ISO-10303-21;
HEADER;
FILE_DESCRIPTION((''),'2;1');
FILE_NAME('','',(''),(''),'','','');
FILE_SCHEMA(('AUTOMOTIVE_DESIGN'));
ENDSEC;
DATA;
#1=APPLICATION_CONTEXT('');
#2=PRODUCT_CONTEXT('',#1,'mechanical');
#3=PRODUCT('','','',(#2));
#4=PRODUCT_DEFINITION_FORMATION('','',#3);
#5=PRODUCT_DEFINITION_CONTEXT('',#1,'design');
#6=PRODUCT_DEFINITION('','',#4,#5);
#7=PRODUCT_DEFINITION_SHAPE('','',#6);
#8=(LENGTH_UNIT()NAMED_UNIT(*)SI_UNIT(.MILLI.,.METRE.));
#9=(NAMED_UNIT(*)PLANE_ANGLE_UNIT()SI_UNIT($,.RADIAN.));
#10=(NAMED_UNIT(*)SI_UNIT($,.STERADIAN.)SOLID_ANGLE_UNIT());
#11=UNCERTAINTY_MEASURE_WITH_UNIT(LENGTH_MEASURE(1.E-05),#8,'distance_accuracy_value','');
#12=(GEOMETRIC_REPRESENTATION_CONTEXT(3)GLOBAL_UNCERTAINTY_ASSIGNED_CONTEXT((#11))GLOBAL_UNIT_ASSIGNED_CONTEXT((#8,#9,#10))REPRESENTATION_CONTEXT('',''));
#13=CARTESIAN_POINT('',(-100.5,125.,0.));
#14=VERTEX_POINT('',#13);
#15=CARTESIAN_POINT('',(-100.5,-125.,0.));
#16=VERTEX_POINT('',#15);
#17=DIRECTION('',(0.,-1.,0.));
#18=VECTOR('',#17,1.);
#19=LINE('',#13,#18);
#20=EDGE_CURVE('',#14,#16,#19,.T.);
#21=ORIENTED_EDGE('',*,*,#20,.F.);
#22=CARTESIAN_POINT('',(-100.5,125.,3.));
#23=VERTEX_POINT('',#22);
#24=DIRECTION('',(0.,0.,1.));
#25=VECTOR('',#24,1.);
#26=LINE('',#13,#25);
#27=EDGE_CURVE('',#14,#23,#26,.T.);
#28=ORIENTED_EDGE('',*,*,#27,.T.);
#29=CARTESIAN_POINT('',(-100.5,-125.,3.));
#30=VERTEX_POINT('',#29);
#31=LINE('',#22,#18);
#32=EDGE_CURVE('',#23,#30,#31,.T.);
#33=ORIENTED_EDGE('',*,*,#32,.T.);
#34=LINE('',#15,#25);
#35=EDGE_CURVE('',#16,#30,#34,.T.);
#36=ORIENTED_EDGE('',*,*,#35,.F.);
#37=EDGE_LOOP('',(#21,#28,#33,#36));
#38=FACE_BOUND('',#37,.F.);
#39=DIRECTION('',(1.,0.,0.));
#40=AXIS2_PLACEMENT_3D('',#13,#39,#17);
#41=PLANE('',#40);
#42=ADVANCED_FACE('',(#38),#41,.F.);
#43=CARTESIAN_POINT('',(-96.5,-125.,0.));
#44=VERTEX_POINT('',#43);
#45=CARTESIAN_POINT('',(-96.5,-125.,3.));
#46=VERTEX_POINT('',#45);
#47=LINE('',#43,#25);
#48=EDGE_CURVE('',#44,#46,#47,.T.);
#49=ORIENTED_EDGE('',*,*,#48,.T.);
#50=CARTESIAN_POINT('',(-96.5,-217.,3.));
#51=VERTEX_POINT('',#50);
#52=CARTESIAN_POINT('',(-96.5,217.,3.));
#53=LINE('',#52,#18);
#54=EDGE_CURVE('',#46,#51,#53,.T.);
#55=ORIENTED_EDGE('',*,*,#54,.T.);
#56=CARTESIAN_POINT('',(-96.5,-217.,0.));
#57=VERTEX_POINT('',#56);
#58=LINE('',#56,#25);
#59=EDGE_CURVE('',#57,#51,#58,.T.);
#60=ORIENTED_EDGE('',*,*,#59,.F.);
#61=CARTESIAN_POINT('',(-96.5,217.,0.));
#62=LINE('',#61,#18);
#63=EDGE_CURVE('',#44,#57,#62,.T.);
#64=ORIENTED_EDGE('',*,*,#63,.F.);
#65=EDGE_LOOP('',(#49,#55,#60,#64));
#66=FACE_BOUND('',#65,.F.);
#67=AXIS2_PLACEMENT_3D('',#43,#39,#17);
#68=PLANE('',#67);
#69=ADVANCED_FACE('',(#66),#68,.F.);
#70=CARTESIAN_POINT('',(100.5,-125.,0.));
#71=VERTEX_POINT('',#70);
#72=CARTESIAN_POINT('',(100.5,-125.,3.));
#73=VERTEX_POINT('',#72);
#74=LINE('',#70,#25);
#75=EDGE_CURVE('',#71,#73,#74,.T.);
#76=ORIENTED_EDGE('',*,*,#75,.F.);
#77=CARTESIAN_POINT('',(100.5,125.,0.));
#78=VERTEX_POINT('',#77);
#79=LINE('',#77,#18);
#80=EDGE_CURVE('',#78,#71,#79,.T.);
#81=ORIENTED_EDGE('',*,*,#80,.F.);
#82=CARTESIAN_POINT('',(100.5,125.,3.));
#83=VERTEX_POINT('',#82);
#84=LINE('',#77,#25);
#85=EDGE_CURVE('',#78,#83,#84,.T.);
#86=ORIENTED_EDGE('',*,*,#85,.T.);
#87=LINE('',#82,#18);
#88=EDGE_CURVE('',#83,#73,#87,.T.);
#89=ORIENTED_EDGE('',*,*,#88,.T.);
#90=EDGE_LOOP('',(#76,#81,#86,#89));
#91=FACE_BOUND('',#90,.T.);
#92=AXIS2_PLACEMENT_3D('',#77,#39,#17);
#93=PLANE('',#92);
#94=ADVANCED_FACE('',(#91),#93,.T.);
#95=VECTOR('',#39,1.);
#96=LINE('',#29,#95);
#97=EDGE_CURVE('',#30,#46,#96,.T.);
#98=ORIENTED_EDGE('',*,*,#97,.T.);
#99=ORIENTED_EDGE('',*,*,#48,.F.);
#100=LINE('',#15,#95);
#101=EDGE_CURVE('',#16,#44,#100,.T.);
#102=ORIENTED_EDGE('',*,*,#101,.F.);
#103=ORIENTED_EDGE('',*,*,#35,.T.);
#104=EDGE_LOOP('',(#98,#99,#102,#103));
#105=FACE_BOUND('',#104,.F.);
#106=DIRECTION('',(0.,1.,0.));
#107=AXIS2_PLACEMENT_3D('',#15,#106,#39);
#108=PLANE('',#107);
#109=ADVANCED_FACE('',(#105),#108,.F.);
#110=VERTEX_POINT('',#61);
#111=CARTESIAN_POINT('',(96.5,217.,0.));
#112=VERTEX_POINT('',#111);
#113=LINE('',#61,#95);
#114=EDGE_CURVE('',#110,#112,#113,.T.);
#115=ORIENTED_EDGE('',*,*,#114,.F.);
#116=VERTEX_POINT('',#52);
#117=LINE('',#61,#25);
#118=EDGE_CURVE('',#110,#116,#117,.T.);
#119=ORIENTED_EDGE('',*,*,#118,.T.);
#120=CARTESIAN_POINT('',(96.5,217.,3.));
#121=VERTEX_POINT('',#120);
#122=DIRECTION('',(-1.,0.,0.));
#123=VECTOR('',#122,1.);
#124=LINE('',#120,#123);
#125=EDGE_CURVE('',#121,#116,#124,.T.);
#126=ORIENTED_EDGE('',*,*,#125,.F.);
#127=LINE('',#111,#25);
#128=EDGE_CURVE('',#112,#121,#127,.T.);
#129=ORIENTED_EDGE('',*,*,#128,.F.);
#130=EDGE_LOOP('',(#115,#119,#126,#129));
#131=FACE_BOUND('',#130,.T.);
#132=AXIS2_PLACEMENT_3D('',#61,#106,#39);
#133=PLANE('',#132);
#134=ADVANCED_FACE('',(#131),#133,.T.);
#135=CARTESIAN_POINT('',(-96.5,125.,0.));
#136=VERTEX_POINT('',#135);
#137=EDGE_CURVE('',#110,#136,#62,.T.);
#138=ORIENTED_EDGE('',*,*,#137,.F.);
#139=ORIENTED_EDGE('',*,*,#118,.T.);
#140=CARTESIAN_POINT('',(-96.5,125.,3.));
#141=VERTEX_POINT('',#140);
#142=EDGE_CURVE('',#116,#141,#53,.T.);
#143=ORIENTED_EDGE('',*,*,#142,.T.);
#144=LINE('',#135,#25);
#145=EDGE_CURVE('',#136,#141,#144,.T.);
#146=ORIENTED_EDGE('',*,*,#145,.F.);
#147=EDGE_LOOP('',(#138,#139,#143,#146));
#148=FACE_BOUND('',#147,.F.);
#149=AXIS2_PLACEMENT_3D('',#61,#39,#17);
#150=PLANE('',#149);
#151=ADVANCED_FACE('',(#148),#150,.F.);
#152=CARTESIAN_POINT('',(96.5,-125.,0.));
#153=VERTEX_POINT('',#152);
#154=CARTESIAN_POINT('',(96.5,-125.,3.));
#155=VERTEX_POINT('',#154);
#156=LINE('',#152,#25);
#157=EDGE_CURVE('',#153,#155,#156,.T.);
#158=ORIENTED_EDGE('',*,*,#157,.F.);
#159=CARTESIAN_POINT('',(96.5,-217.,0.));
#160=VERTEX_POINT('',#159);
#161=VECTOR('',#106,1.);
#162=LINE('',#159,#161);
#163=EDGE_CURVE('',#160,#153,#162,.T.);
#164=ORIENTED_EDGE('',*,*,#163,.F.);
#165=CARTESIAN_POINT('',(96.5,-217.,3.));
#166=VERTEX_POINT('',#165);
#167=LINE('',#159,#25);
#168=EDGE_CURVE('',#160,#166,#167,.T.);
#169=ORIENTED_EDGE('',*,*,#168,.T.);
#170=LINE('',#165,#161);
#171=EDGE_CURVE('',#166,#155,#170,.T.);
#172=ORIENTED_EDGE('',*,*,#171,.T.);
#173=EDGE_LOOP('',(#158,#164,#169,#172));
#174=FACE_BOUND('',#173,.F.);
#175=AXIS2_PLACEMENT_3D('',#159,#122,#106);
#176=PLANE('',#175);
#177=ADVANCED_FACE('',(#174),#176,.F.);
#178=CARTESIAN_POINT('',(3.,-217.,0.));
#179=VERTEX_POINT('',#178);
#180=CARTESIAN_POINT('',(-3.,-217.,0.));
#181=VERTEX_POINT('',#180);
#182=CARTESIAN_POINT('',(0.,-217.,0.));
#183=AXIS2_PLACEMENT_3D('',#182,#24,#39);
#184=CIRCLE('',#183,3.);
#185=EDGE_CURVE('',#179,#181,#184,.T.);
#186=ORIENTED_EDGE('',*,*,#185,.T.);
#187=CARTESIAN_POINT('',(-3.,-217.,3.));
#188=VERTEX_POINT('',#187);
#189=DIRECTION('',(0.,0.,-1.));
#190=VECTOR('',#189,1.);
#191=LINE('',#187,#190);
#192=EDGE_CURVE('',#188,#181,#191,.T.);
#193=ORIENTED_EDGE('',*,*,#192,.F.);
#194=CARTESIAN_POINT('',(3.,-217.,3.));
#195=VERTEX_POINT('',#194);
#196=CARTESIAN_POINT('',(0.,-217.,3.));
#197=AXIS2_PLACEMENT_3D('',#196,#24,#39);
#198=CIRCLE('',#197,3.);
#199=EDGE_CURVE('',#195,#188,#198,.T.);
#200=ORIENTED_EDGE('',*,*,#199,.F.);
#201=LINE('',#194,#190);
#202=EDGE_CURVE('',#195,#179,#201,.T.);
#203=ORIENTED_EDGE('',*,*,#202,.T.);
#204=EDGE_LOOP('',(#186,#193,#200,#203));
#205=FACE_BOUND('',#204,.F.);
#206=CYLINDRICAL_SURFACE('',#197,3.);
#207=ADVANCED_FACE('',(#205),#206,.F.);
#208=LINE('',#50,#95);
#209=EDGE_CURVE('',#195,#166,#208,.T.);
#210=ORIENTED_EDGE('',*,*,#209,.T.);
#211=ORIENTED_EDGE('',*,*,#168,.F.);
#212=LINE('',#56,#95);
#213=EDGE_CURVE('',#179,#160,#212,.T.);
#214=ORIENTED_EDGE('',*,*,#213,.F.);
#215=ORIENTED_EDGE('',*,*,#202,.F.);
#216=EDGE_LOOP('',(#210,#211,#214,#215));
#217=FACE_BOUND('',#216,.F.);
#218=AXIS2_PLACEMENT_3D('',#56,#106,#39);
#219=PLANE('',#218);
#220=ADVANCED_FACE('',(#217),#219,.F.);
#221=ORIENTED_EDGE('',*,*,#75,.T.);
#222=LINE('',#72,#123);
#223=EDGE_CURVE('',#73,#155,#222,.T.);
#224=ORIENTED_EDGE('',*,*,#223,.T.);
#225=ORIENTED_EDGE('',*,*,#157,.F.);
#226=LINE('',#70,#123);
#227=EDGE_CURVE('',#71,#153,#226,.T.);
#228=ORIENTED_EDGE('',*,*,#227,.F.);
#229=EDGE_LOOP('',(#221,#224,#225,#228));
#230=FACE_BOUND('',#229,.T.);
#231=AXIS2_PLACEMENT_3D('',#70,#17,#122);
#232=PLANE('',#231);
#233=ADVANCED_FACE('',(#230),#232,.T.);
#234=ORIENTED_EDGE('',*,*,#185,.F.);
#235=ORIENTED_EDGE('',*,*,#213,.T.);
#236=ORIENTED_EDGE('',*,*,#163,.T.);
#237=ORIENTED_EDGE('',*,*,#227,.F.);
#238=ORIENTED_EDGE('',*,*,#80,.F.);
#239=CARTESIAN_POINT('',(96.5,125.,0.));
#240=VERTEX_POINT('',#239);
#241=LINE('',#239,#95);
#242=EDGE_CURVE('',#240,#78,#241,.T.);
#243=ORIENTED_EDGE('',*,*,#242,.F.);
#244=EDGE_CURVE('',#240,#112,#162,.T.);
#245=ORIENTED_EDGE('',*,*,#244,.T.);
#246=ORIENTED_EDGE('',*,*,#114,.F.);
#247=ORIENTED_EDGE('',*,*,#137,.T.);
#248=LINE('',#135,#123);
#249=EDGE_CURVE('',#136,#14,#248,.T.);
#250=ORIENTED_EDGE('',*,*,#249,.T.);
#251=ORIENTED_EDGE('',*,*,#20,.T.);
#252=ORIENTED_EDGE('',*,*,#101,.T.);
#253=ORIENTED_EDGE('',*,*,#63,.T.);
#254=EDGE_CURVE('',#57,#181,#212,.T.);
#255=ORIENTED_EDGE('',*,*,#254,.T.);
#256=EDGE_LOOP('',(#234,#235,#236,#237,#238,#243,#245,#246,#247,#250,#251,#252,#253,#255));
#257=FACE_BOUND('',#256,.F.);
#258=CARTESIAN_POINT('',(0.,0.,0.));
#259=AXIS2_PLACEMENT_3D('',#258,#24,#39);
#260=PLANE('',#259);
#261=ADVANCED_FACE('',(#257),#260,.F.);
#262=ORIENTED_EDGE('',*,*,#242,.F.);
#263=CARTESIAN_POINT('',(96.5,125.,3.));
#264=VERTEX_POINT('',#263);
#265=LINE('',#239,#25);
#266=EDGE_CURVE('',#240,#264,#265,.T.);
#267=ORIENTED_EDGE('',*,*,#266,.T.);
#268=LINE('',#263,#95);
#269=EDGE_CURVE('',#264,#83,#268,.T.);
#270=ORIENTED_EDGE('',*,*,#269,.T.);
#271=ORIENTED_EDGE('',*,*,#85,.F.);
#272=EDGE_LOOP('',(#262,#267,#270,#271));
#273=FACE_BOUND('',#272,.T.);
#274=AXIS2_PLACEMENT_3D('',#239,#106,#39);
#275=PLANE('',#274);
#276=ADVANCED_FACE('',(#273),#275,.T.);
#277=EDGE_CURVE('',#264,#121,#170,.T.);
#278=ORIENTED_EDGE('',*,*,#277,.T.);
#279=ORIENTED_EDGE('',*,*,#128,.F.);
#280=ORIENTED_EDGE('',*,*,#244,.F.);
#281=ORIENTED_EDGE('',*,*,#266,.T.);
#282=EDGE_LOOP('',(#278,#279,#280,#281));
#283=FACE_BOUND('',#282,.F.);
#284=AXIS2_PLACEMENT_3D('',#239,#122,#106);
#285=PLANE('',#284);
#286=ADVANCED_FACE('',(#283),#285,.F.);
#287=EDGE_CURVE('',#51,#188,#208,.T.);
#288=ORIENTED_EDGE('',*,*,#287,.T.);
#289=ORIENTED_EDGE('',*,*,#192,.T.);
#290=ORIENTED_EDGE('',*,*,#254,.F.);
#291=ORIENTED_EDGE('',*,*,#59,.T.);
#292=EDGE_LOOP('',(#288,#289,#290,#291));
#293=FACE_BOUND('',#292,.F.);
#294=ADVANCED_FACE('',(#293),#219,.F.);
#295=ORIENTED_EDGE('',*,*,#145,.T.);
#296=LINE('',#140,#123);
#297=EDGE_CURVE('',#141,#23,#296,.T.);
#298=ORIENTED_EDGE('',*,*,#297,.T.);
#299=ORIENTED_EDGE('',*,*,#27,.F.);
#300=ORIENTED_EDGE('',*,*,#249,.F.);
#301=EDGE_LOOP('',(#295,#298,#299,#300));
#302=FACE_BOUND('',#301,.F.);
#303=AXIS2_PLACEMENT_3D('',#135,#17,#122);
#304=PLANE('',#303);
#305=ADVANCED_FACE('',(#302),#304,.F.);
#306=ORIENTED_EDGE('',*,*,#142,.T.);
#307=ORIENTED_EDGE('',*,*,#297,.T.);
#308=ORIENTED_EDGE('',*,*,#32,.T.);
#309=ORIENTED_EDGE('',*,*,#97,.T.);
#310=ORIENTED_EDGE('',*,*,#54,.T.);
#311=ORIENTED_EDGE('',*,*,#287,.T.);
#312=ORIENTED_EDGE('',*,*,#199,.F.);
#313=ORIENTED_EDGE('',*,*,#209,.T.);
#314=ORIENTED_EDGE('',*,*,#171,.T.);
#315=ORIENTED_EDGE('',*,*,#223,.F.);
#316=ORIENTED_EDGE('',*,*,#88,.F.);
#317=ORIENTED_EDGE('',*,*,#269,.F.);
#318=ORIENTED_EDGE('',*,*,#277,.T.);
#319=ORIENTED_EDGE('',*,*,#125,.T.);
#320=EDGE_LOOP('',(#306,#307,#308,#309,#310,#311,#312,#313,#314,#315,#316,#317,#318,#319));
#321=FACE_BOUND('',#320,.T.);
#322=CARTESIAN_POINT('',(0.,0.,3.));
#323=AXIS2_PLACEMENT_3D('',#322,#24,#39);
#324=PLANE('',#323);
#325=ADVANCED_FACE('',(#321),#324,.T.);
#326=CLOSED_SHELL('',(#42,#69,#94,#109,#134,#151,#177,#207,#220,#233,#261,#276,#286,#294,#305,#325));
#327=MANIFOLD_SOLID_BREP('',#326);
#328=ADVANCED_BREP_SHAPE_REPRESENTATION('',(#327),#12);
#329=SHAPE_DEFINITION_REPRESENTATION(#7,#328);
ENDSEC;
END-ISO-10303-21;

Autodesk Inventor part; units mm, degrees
ref_plane "YZ Plane" through (0, 0, 0) normal (1, 0, 0) x (0, 1, 0)
ref_plane "XZ Plane" through (0, 0, 0) normal (0, 1, 0) x (-1, 0, 0)
ref_plane "XY Plane" through (0, 0, 0) normal (0, 0, 1) x (1, 0, 0)
sketch "Sketch1" plane through (0, 0, 0) normal (0, 0, 1) x (1, 0, 0)
  line L0 (-96.5, -217) -> (96.5, -217)
  line L1 (96.5, -217) -> (96.5, 217)
  line L2 (-96.5, 217) -> (-96.5, -217)
  line L3 (-96.5, -217) -> (96.5, 217) construction
  line L4 (96.5, -217) -> (-96.5, 217) construction
  line L5 (-96.5, 217) -> (96.5, 217)
  line L6 (-96.5, 125) -> (-100.5, 125)
  line L7 (-100.5, 125) -> (-100.5, -125)
  line L8 (-100.5, -125) -> (-96.5, -125)
  line L9 (-96.5, -125) -> (-96.5, 125)
  line L10 (0, 217) -> (0, 0)
  line L11 (96.5, 125) -> (100.5, 125)
  line L12 (100.5, 125) -> (100.5, -125)
  line L13 (100.5, -125) -> (96.5, -125)
  line L14 (96.5, -125) -> (96.5, 125)
  point P0 (-100.5, 0)
  point P1 (-96.5, 0)
  point P2 (-96.5, -125)
  point P3 (100.5, 0)
  point P4 (96.5, 0)
  point P5 (96.5, 125)
  point P6 (96.5, -125)
  dimension "d0" = 434
  dimension "d1" = 193
  dimension "d3" = 4
  dimension "d4" = 250
extrude "Plate1" add sketch "Sketch1" along normal blind 3
sketch "Sketch2" plane through (0, 0, 3) normal (0, 0, 1) x (1, 0, 0)
  line L0 (-96.5, -217) -> (96.5, -217) projected
  arc A0 (3, -217) -> (-3, -217) centre (0, -217) ccw
  line L1 (96.5, -217) -> (-96.5, -217) projected
  point P0 (0, 0)
  dimension "d6" = 3
extrude "Cut1" cut sketch "Sketch2" against normal blind 3
equation "\"d7\" = Thickness"
equation "\"d5\" = Thickness"
equation "\"BendRadius\" = Thickness"
equation "\"BendReliefWidth\" = Thickness"
equation "\"BendReliefDepth\" = 0.5 * Thickness"
equation "\"CornerReliefSize\" = 4 * Thickness"
equation "\"MinimumRemnant\" = 2 * Thickness"
equation "\"TransitionRadius\" = BendRadius"
equation "\"JacobiRadiusSize\" = BendRadius"
equation "\"GapSize\" = Thickness"
equation "\"Thickness\" = 3"
properties part number "Finishing Sheets .3  ( Back )"
